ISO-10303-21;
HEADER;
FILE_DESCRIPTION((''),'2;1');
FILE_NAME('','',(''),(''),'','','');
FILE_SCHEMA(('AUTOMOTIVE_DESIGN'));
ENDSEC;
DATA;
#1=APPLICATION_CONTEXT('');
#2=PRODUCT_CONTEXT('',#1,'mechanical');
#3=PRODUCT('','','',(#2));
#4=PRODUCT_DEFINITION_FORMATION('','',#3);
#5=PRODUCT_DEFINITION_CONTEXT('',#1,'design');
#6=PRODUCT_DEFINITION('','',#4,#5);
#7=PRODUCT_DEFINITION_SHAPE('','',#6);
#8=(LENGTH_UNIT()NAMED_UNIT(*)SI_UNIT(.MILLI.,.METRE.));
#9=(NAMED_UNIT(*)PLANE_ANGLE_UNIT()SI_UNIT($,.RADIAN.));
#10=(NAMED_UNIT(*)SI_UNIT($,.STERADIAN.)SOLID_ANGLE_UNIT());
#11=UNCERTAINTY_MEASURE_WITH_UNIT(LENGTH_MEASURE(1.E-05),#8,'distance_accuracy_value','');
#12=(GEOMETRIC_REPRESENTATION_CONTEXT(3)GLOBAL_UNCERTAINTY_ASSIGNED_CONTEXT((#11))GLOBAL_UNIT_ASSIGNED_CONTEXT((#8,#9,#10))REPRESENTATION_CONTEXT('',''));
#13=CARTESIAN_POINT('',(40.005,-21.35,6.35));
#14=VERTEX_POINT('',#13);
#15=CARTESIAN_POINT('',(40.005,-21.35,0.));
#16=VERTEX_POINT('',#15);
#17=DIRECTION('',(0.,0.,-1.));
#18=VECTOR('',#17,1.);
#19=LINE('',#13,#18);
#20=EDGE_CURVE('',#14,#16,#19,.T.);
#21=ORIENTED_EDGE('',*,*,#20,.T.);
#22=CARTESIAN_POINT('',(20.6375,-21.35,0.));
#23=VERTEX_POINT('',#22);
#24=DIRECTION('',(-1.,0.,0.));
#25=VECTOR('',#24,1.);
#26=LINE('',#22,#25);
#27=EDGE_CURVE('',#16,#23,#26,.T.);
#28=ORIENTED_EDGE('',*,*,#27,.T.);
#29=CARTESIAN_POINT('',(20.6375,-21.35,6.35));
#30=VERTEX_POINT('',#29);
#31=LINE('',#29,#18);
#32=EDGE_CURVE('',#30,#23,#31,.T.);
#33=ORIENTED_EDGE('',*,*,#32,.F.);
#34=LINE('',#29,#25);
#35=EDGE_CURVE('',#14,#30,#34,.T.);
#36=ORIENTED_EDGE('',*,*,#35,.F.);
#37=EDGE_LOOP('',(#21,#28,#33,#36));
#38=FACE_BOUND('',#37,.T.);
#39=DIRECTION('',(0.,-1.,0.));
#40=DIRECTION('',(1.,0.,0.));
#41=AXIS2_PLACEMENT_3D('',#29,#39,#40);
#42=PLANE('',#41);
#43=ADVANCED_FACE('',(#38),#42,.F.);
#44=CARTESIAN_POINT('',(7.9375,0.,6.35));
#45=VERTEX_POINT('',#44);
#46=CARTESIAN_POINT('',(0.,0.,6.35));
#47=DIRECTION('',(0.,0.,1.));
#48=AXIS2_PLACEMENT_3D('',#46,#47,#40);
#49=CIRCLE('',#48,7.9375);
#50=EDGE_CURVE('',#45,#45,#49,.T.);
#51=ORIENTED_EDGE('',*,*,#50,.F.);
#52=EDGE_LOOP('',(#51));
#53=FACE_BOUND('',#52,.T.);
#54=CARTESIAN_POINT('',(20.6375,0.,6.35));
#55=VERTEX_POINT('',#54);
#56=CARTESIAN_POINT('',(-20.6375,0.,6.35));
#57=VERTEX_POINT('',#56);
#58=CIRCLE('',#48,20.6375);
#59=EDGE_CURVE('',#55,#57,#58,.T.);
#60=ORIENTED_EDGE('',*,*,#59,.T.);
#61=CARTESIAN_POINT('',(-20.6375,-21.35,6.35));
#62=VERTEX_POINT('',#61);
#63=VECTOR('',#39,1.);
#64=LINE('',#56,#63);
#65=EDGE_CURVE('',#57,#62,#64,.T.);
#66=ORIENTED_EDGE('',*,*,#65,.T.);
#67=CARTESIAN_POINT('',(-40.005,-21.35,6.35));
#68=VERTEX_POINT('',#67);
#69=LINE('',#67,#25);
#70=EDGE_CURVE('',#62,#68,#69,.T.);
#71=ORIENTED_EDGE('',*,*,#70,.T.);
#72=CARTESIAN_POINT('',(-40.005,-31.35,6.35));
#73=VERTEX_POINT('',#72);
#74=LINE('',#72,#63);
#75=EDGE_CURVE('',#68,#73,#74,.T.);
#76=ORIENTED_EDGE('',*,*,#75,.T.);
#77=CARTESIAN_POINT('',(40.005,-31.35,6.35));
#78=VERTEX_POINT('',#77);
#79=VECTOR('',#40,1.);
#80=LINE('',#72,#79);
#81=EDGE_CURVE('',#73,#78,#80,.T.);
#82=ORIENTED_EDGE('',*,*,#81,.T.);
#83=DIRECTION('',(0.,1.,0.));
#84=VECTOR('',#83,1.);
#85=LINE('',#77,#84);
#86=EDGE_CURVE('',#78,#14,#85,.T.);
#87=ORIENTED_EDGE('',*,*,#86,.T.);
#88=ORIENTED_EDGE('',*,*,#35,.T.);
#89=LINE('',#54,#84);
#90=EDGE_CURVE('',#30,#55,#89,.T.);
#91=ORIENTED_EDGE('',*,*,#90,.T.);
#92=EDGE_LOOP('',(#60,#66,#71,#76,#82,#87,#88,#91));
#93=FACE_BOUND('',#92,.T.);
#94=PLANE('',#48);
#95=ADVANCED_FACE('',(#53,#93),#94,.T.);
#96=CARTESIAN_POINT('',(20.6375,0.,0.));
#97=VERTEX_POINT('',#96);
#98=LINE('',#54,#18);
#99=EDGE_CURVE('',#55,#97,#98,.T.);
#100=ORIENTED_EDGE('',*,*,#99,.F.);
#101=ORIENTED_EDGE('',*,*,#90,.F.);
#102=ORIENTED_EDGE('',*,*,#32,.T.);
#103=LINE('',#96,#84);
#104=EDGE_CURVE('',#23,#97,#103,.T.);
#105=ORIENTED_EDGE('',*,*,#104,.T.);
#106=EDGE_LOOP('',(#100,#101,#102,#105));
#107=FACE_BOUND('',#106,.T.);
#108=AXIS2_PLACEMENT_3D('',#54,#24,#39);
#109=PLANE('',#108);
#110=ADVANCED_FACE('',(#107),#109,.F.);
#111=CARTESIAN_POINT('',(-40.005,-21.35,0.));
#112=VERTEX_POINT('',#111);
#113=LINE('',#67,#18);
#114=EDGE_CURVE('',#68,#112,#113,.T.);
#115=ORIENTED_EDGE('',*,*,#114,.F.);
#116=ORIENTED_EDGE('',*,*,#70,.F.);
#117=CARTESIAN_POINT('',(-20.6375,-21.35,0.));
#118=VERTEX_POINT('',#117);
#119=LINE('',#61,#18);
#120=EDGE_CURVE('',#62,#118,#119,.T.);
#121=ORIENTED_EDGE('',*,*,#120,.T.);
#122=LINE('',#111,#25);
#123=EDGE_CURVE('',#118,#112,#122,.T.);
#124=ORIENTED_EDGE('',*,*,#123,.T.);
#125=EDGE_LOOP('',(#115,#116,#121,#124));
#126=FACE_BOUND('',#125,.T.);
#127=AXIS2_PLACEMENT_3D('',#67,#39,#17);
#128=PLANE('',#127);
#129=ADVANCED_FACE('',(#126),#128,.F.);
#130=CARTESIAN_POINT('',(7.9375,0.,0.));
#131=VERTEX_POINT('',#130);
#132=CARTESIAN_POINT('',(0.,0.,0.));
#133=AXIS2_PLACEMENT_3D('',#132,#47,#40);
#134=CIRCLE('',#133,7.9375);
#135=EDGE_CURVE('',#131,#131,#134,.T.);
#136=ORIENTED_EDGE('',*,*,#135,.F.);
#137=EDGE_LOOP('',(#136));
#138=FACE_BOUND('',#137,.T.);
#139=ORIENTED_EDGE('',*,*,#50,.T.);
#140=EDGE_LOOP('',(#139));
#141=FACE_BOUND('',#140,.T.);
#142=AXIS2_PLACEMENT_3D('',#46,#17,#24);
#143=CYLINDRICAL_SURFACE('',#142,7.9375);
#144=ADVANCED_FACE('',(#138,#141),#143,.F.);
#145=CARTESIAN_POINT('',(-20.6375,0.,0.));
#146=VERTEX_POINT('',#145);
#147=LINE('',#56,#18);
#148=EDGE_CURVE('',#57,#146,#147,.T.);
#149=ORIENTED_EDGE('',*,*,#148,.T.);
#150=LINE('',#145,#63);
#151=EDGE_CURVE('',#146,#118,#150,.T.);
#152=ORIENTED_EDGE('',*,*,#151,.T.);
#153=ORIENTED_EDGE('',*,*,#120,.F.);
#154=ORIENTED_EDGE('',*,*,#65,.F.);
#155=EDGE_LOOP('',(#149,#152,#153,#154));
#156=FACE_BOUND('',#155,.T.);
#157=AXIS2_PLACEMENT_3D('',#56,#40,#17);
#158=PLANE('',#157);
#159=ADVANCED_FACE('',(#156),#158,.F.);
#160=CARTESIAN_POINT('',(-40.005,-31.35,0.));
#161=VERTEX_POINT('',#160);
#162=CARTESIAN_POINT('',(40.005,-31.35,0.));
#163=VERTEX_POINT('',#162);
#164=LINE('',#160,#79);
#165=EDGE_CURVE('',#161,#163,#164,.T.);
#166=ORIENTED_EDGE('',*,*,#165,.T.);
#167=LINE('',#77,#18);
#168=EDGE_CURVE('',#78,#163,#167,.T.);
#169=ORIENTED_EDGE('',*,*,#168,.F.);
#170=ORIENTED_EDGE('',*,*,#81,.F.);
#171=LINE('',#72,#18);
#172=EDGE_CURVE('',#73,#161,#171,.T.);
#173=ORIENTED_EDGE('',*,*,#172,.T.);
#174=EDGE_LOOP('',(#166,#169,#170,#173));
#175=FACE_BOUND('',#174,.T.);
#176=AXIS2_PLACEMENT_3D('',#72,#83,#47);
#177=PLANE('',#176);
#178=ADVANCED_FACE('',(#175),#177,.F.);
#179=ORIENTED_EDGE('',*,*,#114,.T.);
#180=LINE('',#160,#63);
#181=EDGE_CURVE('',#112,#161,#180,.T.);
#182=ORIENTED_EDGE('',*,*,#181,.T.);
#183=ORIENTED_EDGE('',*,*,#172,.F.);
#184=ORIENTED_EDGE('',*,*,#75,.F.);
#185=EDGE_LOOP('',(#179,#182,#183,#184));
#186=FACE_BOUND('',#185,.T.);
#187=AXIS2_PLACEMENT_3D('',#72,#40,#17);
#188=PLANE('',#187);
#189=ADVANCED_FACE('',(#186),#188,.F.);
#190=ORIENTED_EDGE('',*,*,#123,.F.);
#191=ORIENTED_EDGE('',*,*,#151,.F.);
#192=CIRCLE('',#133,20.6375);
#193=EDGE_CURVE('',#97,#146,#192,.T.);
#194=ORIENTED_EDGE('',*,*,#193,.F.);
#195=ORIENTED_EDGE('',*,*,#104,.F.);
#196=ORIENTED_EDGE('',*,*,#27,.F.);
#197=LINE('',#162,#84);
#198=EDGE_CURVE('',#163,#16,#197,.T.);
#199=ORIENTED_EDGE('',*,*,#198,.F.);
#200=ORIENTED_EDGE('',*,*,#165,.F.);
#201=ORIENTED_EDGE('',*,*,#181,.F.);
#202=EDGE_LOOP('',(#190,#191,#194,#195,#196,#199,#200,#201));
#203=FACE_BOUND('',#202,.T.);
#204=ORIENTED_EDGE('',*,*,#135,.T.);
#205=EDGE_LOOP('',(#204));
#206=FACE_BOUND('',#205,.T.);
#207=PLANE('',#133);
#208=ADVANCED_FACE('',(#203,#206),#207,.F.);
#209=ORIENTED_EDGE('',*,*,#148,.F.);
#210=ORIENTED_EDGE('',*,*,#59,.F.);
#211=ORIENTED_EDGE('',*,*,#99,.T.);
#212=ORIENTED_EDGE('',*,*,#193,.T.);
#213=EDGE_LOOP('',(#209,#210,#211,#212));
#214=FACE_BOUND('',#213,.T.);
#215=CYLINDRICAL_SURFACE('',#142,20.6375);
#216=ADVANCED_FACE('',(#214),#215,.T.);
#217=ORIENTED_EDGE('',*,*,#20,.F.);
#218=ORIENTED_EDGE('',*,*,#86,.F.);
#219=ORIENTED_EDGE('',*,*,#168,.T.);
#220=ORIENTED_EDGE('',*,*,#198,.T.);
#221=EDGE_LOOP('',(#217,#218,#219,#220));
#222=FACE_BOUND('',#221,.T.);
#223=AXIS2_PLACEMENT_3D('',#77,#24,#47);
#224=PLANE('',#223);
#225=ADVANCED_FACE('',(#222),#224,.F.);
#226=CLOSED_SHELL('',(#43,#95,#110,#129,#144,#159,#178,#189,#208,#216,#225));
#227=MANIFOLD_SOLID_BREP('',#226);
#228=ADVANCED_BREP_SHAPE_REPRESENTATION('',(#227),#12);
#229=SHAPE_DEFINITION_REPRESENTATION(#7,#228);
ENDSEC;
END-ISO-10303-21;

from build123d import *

# Parameters (mm, degrees)
SKETCH1_R           = 7.9375
BOSS_EXTRUDE1_DEPTH = 6.35


with BuildPart() as part:
    # Sketch1 → Boss-Extrude1 (new body)
    with BuildSketch(Plane.XY):
        with BuildLine():
            Line((-40.005, -31.35), (40.005, -31.35))
            Line((40.005, -31.35), (40.005, -21.35))
            Line((40.005, -21.35), (20.6375, -21.35))
            Line((20.6375, -21.35), (20.6375, 0))
            ThreePointArc((20.6375, 0), (0, 20.6375), (-20.6375, 0))
            Line((-20.6375, 0), (-20.6375, -21.35))
            Line((-20.6375, -21.35), (-40.005, -21.35))
            Line((-40.005, -21.35), (-40.005, -31.35))
        make_face()
        Circle(SKETCH1_R, mode=Mode.SUBTRACT)
    extrude(amount=BOSS_EXTRUDE1_DEPTH)


solid = part.part
